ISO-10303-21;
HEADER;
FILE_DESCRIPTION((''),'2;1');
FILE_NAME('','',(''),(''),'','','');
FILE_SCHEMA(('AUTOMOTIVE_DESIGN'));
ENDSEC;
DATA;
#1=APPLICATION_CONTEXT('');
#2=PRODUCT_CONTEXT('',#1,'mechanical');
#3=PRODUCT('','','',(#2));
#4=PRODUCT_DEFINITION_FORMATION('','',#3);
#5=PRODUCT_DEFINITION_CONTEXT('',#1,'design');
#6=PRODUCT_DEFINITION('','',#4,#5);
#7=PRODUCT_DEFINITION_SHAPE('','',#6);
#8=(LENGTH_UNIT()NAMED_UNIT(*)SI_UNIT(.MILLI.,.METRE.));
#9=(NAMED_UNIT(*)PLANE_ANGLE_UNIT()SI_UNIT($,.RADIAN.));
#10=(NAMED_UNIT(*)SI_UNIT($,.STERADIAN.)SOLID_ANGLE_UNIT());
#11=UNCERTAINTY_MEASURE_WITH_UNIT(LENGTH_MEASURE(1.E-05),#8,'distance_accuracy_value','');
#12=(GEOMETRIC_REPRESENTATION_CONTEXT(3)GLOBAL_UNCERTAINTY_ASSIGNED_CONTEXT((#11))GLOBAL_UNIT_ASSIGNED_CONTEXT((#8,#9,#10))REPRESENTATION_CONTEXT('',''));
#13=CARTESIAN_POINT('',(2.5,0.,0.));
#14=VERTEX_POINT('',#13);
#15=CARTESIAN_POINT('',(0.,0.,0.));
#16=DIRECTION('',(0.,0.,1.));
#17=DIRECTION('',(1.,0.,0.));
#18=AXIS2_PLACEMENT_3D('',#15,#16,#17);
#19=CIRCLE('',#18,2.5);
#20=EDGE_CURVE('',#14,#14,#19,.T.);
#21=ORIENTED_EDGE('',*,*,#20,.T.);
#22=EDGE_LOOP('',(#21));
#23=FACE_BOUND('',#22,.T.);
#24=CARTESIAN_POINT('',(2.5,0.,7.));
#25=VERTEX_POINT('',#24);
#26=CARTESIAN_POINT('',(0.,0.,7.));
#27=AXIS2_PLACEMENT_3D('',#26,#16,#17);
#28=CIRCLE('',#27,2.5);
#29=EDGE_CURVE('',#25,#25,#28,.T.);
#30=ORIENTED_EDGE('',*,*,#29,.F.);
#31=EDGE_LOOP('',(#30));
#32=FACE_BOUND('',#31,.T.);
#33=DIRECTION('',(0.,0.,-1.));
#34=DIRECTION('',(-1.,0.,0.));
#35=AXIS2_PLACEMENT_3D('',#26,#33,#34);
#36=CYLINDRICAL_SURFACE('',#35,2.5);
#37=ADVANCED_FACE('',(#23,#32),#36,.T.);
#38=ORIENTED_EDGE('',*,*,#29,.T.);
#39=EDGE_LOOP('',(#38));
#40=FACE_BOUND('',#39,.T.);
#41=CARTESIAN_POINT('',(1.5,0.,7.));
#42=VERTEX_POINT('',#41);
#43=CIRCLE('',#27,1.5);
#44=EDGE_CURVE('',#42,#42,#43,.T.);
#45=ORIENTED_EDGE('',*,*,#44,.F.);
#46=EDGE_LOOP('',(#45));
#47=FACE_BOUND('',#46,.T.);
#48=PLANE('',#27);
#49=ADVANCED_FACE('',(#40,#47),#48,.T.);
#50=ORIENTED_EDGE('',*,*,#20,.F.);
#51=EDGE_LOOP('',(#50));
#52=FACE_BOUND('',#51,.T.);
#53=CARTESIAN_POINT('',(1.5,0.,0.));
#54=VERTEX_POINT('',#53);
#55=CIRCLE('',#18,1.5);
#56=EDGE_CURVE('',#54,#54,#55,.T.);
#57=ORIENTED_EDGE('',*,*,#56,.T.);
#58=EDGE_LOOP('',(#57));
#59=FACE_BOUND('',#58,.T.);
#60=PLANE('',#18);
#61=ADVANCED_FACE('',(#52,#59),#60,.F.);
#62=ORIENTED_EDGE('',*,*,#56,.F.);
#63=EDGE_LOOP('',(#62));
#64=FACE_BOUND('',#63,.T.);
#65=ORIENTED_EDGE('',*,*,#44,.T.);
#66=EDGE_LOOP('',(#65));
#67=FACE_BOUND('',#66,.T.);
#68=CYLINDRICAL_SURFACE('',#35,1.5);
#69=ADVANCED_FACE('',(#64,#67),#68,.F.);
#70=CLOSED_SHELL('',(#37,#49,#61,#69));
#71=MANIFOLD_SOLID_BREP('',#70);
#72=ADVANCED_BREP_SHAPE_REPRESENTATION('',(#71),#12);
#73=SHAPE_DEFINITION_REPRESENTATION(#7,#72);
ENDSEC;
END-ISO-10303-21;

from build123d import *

# Parameters (mm, degrees)
SKETCH2_R           = 2.5
SKETCH2_R_2         = 1.5
BOSS_EXTRUDE1_DEPTH = 7


with BuildPart() as part:
    # Sketch2 → Boss-Extrude1 (new body)
    with BuildSketch(Plane.XY):
        Circle(SKETCH2_R)
        Circle(SKETCH2_R_2, mode=Mode.SUBTRACT)
    extrude(amount=BOSS_EXTRUDE1_DEPTH)


solid = part.part
